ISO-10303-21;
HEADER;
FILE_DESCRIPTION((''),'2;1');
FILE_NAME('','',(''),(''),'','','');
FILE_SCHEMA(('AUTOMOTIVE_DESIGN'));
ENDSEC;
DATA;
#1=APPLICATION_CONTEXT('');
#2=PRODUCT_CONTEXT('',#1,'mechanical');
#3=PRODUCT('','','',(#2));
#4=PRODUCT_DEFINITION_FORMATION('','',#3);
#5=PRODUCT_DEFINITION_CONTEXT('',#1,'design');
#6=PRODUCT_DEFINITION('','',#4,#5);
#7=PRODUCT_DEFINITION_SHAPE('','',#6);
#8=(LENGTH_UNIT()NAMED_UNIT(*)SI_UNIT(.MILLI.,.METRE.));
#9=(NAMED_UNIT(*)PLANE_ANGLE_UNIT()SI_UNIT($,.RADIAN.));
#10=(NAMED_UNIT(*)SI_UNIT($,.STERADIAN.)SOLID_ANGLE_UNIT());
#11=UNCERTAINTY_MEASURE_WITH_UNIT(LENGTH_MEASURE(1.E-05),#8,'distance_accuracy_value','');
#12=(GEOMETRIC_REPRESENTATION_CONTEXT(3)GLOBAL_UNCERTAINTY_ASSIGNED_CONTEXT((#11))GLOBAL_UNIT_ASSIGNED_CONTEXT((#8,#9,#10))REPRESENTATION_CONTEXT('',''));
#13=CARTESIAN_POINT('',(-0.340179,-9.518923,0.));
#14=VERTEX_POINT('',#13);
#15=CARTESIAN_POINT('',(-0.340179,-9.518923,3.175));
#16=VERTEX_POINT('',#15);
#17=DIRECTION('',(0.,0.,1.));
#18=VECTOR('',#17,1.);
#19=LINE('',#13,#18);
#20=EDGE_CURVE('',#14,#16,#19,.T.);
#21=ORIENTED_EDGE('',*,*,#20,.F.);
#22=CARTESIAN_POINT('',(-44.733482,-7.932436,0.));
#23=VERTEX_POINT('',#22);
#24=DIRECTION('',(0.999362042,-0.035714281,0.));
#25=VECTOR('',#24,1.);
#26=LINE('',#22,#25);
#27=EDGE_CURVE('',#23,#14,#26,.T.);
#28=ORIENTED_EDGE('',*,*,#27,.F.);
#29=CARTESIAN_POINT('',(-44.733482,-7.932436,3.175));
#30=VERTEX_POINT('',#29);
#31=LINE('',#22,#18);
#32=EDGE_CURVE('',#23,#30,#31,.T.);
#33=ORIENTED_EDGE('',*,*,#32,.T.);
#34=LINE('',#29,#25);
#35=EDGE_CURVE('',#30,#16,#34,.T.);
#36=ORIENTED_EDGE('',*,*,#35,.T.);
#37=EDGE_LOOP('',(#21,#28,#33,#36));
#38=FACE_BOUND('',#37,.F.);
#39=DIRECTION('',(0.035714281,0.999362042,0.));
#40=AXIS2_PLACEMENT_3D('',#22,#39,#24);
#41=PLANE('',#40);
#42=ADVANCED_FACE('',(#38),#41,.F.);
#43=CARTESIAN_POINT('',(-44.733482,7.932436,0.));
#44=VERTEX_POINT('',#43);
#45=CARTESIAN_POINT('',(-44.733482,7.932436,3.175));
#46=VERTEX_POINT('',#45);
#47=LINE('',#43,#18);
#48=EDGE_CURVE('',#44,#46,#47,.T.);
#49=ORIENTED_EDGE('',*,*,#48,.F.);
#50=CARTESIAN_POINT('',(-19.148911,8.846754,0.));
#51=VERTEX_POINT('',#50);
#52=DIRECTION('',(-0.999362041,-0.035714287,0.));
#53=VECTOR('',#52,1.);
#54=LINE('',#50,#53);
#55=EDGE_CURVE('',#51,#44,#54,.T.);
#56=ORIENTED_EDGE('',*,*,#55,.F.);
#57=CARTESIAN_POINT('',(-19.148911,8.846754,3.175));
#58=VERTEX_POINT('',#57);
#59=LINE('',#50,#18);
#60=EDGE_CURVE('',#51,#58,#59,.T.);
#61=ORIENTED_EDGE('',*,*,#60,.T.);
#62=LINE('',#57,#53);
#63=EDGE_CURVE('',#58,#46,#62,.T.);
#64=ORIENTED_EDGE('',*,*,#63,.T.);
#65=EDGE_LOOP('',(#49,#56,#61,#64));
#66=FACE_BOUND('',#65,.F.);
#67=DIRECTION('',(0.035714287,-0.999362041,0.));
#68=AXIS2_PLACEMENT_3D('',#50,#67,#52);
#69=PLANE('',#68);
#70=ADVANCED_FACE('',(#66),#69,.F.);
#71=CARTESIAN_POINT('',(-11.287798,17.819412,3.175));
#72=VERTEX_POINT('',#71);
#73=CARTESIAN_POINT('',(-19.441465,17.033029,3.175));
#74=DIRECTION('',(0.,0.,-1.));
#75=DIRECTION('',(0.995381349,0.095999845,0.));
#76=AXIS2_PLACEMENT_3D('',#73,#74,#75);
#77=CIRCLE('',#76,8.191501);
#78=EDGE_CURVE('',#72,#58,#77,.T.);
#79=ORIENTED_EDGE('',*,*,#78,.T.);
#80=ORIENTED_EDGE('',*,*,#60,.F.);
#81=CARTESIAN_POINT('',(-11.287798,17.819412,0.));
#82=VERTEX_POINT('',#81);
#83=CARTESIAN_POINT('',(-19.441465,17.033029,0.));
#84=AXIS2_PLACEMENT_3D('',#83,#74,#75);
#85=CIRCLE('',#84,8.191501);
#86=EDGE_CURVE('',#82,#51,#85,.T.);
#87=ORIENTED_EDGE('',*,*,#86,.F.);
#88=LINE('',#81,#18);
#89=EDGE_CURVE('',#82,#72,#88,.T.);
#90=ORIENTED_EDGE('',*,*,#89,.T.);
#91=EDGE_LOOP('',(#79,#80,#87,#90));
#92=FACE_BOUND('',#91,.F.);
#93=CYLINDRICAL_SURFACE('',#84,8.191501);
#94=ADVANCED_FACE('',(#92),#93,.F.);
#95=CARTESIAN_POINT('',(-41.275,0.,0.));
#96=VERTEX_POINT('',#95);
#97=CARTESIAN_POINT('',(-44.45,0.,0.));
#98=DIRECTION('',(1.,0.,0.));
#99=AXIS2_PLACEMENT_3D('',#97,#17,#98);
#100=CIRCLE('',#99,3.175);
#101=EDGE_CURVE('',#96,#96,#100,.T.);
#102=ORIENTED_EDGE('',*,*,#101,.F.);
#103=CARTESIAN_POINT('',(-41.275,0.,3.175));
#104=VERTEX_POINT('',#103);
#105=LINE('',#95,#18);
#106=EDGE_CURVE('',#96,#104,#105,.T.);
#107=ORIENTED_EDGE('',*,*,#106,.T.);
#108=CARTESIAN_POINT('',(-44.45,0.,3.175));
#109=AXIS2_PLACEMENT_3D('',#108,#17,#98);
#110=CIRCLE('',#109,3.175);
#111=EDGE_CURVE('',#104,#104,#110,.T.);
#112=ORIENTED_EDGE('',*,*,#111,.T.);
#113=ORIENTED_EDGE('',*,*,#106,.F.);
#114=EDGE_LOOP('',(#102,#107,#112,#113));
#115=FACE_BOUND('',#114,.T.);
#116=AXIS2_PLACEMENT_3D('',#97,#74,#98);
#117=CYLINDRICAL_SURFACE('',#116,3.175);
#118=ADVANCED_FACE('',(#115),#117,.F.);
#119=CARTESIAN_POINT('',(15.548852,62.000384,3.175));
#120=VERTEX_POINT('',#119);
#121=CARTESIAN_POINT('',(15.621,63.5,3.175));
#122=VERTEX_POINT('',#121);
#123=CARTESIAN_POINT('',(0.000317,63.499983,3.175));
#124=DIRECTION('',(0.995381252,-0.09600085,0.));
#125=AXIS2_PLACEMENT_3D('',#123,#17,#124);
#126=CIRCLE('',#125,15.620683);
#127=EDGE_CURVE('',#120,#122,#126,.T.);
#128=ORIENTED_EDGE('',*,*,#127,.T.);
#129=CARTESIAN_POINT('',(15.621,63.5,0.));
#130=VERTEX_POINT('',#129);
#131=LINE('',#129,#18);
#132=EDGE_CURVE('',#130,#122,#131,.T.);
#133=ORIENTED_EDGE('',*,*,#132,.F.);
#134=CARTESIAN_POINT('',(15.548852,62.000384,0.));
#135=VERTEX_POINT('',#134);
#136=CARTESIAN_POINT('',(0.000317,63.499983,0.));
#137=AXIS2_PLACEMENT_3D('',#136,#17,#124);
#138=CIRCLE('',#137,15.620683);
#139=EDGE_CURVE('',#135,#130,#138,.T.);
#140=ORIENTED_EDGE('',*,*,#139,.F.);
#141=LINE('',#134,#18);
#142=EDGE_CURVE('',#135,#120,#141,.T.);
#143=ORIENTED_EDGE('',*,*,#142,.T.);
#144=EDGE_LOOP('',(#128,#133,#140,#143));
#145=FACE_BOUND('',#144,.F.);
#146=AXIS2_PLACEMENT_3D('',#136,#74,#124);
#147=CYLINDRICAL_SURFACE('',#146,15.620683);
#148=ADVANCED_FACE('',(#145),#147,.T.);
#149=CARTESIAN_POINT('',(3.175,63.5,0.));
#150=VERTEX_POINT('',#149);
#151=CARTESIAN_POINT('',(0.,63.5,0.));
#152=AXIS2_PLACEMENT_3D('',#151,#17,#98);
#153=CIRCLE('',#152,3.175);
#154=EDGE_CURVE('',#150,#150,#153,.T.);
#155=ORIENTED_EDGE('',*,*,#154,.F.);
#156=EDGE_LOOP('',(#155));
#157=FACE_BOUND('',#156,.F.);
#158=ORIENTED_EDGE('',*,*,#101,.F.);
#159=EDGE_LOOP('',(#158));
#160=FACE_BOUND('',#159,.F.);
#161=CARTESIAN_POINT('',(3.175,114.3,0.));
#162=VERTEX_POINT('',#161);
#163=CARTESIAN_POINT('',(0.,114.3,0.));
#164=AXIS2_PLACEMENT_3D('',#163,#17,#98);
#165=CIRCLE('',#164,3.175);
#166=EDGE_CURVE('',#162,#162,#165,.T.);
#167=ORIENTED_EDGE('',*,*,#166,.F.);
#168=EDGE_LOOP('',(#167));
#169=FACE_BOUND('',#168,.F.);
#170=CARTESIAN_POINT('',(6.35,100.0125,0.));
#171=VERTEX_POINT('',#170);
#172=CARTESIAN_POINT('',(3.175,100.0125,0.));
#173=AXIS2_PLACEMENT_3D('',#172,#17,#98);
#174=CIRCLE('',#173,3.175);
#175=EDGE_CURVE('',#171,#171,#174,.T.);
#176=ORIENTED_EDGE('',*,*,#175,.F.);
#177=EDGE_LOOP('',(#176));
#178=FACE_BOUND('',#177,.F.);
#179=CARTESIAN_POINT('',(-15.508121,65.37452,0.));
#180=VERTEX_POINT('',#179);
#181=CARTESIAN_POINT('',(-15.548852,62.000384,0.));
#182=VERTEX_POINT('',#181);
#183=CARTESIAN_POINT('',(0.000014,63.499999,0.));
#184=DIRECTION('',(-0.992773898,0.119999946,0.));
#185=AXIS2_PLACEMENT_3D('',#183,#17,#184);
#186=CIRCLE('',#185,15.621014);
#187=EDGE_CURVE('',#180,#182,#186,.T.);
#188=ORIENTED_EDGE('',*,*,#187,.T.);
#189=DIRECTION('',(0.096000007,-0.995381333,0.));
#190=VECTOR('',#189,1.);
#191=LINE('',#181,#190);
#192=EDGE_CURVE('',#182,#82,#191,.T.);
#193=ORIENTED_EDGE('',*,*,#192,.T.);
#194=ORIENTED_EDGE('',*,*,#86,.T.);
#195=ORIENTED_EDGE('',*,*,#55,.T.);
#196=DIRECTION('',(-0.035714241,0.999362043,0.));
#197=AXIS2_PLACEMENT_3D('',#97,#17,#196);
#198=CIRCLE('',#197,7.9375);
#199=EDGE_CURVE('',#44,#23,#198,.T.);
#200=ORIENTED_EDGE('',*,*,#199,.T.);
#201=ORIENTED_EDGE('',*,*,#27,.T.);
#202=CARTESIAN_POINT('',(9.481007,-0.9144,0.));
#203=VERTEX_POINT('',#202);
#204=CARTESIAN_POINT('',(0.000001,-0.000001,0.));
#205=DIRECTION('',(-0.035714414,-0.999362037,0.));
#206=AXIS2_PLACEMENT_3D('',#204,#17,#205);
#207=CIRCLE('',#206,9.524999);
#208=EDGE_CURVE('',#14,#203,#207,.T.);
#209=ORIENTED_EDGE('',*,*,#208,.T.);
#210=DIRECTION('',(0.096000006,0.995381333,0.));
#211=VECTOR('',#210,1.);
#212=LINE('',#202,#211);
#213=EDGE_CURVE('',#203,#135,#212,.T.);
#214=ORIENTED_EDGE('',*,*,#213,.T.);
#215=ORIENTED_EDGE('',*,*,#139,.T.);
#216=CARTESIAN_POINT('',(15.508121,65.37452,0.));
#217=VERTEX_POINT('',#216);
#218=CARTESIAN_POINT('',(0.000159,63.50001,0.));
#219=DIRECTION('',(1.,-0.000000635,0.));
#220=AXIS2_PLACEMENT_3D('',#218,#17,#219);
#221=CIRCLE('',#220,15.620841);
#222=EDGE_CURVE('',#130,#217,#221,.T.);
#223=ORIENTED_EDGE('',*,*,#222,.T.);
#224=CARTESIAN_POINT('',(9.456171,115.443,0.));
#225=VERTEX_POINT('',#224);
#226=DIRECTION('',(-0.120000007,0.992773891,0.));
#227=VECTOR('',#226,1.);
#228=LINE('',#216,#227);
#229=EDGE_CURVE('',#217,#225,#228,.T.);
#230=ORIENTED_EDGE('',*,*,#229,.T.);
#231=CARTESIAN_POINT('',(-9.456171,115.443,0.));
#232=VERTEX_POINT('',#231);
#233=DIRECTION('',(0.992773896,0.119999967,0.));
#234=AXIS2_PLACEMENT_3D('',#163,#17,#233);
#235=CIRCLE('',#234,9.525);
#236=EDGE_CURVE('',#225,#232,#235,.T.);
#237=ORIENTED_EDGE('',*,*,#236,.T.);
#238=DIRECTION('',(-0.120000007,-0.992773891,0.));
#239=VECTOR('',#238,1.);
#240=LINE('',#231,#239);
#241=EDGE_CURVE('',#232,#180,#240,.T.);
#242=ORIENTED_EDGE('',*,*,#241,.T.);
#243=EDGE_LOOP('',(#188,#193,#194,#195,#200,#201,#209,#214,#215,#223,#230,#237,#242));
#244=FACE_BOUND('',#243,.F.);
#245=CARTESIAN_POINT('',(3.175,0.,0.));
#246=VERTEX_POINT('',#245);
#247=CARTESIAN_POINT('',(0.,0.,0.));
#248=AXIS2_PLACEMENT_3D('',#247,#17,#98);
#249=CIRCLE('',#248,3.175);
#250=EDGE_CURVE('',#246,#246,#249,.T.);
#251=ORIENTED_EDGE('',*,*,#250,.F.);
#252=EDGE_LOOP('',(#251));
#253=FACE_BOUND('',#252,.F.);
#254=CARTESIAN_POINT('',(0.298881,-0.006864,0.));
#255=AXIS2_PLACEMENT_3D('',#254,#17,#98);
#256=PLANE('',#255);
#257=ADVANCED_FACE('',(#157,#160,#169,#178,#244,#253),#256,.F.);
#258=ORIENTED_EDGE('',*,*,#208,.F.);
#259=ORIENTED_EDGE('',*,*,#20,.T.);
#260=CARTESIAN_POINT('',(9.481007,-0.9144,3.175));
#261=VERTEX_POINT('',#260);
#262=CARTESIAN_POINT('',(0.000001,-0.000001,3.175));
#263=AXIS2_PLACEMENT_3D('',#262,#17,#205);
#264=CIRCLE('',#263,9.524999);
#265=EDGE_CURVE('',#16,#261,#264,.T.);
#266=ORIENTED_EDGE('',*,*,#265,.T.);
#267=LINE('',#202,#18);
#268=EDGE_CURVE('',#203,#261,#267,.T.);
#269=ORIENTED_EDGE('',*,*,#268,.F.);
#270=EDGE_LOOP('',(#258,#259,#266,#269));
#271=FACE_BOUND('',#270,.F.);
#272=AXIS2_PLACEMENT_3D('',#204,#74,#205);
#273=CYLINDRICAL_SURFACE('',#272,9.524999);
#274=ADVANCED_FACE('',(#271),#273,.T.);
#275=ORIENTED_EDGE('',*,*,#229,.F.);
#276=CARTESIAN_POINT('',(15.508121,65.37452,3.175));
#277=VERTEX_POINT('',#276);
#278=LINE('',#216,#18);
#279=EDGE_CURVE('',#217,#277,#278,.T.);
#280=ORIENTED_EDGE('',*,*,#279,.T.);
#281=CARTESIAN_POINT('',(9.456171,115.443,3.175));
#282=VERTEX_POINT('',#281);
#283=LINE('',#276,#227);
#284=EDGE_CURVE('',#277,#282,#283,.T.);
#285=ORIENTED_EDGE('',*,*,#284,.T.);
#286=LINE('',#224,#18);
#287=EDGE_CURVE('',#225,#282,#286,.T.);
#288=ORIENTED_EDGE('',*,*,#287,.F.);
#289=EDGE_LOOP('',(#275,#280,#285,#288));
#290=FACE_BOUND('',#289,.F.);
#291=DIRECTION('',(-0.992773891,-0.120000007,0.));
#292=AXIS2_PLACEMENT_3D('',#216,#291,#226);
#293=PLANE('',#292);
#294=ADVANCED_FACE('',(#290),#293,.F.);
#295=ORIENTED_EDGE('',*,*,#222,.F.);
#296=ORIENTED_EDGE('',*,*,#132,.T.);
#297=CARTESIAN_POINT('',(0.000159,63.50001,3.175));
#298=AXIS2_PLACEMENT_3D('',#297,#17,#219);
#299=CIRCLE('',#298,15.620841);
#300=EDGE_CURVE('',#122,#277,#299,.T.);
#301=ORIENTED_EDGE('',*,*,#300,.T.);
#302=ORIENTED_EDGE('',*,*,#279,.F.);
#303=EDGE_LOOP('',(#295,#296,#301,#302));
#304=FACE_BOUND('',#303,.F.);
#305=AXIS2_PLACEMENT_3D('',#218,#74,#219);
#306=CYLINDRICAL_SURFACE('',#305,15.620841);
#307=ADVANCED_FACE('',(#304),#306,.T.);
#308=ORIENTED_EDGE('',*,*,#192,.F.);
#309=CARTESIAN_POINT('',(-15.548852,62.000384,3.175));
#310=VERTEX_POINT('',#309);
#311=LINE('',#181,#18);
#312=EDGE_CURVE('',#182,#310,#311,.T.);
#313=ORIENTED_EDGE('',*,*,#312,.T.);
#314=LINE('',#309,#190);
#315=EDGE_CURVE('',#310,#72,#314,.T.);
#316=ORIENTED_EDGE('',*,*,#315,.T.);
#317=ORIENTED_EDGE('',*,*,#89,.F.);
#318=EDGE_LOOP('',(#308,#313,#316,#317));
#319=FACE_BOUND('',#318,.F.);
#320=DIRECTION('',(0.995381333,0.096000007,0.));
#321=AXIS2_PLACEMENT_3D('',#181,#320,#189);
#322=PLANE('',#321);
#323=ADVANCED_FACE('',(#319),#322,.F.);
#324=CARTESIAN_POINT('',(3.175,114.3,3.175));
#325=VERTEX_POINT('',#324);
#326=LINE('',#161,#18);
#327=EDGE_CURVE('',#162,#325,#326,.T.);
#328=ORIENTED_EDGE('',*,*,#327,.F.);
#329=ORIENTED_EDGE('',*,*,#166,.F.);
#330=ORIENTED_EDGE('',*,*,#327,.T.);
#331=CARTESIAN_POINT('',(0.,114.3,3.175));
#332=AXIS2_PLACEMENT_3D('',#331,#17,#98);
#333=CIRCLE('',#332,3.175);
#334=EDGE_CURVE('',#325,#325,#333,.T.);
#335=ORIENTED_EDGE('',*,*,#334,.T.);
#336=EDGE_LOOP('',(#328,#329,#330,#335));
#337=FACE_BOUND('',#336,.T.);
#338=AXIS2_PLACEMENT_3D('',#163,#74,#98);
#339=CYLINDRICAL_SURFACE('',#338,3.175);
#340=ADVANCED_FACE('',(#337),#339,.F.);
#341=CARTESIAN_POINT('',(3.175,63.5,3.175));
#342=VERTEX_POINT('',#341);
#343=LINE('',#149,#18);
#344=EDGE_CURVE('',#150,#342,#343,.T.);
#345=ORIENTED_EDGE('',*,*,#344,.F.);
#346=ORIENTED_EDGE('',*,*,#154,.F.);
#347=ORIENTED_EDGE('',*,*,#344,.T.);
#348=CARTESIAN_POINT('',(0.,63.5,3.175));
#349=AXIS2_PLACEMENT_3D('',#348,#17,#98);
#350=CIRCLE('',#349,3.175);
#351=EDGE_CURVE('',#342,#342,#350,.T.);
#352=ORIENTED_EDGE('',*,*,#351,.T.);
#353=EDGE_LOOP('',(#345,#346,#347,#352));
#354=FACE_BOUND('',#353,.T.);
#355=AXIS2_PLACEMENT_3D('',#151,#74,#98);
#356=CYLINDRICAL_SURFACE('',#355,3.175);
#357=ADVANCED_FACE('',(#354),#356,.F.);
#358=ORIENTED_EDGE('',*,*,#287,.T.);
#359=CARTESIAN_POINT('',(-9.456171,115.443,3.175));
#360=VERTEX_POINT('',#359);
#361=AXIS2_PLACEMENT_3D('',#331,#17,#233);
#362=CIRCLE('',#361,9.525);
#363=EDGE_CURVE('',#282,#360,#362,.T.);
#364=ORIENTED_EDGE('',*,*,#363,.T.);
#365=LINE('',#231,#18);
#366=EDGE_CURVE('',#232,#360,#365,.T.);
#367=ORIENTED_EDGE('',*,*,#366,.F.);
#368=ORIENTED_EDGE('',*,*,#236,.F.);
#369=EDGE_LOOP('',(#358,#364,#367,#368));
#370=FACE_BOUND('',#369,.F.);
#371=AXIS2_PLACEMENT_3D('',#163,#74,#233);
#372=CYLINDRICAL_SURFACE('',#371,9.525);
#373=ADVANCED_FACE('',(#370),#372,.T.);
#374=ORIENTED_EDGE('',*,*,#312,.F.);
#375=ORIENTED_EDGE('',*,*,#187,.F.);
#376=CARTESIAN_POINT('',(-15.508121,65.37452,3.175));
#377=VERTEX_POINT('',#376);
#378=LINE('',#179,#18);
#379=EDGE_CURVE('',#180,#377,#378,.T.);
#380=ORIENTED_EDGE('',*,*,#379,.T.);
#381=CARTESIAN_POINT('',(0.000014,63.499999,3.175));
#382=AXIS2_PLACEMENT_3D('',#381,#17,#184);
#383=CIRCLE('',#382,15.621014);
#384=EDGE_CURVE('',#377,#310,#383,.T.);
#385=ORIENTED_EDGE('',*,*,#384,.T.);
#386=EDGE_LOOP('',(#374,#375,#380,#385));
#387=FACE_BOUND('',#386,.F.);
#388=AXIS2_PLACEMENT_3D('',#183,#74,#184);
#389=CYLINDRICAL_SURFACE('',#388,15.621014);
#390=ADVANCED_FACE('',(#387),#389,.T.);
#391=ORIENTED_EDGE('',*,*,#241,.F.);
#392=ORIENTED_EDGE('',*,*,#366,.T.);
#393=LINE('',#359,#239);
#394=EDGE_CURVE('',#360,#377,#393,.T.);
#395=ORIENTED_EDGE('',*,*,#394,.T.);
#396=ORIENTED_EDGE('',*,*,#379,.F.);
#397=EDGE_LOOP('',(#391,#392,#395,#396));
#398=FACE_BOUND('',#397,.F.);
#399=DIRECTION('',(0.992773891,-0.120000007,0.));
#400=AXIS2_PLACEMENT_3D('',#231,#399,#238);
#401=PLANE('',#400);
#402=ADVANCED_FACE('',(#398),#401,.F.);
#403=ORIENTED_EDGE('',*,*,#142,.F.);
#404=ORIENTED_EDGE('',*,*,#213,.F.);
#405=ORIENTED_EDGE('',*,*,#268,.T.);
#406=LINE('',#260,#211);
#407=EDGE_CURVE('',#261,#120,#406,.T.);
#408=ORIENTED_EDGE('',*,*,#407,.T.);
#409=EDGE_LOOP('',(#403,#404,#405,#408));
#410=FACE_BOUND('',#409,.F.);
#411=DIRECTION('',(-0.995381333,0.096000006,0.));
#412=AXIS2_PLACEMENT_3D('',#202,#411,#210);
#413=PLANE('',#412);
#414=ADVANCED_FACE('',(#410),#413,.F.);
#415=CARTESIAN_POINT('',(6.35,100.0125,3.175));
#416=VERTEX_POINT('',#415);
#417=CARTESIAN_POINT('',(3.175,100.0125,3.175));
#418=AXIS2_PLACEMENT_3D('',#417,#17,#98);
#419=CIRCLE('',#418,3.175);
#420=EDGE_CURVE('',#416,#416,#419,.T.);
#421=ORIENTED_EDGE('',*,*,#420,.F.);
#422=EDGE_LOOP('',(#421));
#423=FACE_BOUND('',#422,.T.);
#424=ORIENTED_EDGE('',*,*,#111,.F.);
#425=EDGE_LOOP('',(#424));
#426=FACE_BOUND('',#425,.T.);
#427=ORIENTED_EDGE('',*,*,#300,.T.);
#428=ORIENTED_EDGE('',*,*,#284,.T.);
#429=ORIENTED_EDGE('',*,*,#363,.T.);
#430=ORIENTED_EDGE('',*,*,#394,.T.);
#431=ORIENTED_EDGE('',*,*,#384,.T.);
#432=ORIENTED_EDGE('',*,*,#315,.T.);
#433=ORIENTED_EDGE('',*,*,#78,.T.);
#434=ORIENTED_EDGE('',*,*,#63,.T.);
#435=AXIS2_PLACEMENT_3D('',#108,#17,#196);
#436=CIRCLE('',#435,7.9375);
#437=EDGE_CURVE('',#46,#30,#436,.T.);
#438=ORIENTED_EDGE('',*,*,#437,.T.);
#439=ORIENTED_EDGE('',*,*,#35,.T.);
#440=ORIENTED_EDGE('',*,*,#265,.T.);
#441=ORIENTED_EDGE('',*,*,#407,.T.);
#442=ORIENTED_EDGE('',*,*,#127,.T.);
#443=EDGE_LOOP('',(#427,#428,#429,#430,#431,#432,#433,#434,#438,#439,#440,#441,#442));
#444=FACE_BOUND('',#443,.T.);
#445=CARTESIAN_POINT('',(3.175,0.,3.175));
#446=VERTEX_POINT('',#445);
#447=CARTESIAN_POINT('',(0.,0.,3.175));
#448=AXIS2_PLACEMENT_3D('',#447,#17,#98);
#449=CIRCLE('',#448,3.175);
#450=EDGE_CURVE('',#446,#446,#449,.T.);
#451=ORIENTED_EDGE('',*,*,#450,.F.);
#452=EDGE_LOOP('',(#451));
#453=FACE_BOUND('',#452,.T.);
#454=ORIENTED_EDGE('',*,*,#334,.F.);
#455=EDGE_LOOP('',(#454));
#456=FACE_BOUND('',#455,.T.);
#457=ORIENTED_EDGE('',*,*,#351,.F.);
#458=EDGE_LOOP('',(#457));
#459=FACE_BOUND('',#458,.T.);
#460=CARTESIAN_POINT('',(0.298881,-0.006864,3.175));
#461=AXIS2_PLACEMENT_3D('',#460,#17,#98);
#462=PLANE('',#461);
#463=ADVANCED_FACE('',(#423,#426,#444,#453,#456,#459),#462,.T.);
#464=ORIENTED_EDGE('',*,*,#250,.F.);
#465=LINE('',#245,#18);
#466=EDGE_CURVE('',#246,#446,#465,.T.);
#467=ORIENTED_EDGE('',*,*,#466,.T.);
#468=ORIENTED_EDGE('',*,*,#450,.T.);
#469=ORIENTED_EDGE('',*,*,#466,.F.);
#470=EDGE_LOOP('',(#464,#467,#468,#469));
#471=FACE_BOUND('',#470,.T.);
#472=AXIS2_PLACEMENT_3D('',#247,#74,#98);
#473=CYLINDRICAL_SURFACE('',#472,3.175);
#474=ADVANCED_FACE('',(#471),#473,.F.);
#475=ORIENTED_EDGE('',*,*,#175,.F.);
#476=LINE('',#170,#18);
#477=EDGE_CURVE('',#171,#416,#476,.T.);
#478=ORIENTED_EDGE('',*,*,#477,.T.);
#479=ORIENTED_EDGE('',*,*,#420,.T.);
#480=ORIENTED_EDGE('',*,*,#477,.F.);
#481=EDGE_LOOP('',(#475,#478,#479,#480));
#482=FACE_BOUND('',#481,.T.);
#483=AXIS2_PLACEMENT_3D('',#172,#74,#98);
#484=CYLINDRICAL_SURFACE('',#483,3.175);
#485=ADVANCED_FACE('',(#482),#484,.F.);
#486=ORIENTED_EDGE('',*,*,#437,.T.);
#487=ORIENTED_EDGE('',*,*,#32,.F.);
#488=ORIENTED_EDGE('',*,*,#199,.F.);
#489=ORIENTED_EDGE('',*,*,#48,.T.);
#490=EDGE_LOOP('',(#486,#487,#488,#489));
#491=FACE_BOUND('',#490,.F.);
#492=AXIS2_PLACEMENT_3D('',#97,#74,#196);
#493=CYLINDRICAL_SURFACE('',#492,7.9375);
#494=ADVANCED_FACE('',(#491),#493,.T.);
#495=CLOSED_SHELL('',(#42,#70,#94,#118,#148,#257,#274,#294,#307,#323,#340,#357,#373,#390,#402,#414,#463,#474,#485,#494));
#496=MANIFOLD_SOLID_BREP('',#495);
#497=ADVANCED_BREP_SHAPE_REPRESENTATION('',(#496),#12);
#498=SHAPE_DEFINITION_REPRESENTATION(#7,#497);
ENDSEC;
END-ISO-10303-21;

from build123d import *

# Parameters (mm, degrees)
F0_R     = 3.175
F1_DEPTH = 3.175


with BuildPart() as f1:
    # F0 (on Top) → F1 (new body)
    with BuildSketch(Plane.XY):
        with BuildLine():
            ThreePointArc((9.481007, -0.9144), (9.513995, -0.457729), (9.525, 0))
            ThreePointArc((9.525, 0), (6.613827, 6.854408), (-0.340179, 9.518923))
            ThreePointArc((-0.340179, 9.518923), (-9.525, 0), (-0.340179, -9.518923))
            ThreePointArc((-0.340179, -9.518923), (6.276794, -7.16432), (9.481007, -0.9144))
        make_face()
        Circle(F0_R, mode=Mode.SUBTRACT)
        with BuildLine():
            ThreePointArc((-0.340179, 9.518923), (6.613827, 6.854408), (9.525, 0))
            ThreePointArc((9.525, 0), (9.513995, -0.457729), (9.481007, -0.9144))
            Line((9.481007, -0.9144), (15.548852, 62.000384))
            ThreePointArc((15.548852, 62.000384), (0, 47.879), (-15.548852, 62.000384))
            Line((-15.548852, 62.000384), (-11.287798, 17.819412))
            ThreePointArc((-11.287798, 17.819412), (-13.280149, 11.634986), (-19.148911, 8.846754))
            Line((-19.148911, 8.846754), (-44.733482, 7.932436))
            ThreePointArc((-44.733482, 7.932436), (-38.938477, 5.712007), (-36.5125, 0))
            ThreePointArc((-36.5125, 0), (-38.938477, -5.712007), (-44.733482, -7.932436))
            Line((-44.733482, -7.932436), (-0.340179, -9.518923))
            ThreePointArc((-0.340179, -9.518923), (-9.525, 0), (-0.340179, 9.518923))
        make_face()
        with BuildLine():
            ThreePointArc((-15.548852, 62.000384), (0, 47.879), (15.548852, 62.000384))
            ThreePointArc((15.548852, 62.000384), (15.602953, 62.749325), (15.621, 63.5))
            ThreePointArc((15.621, 63.5), (15.592755, 64.438958), (15.508121, 65.37452))
            ThreePointArc((15.508121, 65.37452), (0, 79.121), (-15.508121, 65.37452))
            ThreePointArc((-15.508121, 65.37452), (-15.619862, 63.688555), (-15.548852, 62.000384))
        make_face()
        with Locations((0, 63.5)):
            Circle(F0_R, mode=Mode.SUBTRACT)
        with BuildLine():
            ThreePointArc((-44.733482, 7.932436), (-52.3875, 0), (-44.733482, -7.932436))
            ThreePointArc((-44.733482, -7.932436), (-38.938477, -5.712007), (-36.5125, 0))
            ThreePointArc((-36.5125, 0), (-38.938477, 5.712007), (-44.733482, 7.932436))
        make_face()
        with Locations((-44.45, 0)):
            Circle(F0_R, mode=Mode.SUBTRACT)
        with BuildLine():
            ThreePointArc((-15.508121, 65.37452), (0, 79.121), (15.508121, 65.37452))
            Line((15.508121, 65.37452), (9.456171, 115.443))
            ThreePointArc((9.456171, 115.443), (9.507777, 114.872535), (9.525, 114.3))
            ThreePointArc((9.525, 114.3), (-0.572535, 104.792223), (-9.456171, 115.443))
            Line((-9.456171, 115.443), (-15.508121, 65.37452))
        make_face()
        with Locations((3.175, 100.0125)):
            Circle(F0_R, mode=Mode.SUBTRACT)
        with BuildLine():
            ThreePointArc((9.525, 114.3), (9.507777, 114.872535), (9.456171, 115.443))
            ThreePointArc((9.456171, 115.443), (0, 123.825), (-9.456171, 115.443))
            ThreePointArc((-9.456171, 115.443), (-0.572535, 104.792223), (9.525, 114.3))
        make_face()
        with Locations((0, 114.3)):
            Circle(F0_R, mode=Mode.SUBTRACT)
    extrude(amount=F1_DEPTH)


solid = f1.part
